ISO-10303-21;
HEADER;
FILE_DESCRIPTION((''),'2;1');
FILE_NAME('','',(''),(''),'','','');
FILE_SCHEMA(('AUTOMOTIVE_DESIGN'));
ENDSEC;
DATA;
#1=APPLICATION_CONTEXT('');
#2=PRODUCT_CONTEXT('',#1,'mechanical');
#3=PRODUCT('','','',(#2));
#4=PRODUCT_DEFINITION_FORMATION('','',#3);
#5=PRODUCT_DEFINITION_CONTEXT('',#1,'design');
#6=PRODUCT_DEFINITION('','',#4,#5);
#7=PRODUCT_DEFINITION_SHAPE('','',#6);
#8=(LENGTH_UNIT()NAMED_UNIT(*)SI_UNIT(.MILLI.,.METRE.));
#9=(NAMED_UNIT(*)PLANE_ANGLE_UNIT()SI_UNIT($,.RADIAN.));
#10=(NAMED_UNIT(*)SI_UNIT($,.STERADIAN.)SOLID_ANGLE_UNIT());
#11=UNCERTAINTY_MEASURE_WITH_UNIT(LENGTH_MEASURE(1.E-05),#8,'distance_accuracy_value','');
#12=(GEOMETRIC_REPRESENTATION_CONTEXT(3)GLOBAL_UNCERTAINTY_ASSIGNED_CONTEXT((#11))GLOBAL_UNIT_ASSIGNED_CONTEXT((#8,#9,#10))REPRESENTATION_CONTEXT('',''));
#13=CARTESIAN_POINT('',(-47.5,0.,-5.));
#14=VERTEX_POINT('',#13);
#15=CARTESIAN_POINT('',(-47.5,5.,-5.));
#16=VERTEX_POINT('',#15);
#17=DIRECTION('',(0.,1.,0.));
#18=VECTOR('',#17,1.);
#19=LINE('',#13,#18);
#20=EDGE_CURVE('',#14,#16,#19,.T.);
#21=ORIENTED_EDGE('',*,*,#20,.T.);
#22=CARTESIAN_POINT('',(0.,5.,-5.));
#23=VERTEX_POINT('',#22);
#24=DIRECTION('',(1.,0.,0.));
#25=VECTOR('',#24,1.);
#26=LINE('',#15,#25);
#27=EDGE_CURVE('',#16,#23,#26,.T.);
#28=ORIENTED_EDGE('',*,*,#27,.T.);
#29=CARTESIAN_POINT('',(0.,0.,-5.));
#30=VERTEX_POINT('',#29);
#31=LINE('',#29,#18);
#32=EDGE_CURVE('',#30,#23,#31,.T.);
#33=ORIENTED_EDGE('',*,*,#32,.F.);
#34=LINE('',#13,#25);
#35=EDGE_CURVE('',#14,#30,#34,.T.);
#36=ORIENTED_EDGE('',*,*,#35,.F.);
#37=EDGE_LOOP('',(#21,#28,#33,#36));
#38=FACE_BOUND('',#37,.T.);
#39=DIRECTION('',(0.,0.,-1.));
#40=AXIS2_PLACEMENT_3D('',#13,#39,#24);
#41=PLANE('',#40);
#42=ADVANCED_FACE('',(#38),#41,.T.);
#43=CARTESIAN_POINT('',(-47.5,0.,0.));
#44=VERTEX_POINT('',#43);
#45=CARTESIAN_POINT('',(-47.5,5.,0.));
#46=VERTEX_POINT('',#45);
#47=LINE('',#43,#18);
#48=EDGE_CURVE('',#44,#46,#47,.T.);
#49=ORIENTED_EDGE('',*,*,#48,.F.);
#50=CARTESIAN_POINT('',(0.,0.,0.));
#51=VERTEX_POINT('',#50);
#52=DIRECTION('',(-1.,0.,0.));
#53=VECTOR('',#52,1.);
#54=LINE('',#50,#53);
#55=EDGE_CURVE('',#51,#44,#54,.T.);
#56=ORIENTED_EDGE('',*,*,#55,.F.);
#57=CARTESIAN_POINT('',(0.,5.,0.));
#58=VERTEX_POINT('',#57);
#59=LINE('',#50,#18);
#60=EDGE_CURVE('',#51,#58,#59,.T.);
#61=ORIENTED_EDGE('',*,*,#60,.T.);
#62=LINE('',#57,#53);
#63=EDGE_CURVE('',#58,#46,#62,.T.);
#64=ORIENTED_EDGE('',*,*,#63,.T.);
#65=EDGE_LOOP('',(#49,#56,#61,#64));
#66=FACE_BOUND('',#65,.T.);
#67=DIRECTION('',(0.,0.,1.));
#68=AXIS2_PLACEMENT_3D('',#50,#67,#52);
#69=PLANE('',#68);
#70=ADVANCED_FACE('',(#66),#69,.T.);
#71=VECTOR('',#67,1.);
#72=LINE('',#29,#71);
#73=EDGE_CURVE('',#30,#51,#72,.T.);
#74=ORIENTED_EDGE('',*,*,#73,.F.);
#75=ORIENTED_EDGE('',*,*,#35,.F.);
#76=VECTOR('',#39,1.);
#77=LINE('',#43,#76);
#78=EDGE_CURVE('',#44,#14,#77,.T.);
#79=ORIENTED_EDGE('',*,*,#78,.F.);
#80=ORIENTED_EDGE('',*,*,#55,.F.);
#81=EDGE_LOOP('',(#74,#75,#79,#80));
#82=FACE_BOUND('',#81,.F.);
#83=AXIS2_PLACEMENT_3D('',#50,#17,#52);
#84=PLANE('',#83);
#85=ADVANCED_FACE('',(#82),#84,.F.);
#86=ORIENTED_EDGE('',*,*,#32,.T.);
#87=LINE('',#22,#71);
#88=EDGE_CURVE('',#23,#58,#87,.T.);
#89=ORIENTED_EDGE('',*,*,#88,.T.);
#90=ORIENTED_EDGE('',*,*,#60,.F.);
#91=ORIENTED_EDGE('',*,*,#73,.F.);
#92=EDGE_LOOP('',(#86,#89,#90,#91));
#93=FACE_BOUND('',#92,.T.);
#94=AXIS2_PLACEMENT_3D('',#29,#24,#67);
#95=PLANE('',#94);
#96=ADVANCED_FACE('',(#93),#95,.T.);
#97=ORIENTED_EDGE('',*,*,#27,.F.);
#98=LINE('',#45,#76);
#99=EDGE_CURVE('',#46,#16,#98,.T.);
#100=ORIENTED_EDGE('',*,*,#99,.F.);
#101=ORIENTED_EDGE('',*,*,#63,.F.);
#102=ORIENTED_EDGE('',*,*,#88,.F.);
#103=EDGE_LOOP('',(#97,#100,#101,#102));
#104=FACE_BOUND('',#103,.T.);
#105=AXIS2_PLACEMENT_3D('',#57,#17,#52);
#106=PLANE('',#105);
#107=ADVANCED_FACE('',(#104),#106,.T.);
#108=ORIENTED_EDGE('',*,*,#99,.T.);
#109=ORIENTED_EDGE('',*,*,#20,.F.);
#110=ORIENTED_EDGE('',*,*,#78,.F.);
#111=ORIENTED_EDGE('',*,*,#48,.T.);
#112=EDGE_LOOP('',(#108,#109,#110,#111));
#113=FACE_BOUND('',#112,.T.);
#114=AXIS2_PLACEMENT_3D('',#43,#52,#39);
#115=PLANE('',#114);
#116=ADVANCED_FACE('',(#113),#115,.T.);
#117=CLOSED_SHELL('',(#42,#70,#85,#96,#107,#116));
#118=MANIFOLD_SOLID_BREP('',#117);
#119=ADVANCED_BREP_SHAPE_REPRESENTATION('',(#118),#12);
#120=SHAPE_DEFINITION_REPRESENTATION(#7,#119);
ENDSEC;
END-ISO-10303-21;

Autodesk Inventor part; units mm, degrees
ref_plane "YZ Plane" through (0, 0, 0) normal (1, 0, 0) x (0, 1, 0)
ref_plane "XZ Plane" through (0, 0, 0) normal (0, 1, 0) x (-1, 0, 0)
ref_plane "XY Plane" through (0, 0, 0) normal (0, 0, 1) x (1, 0, 0)
sketch "Sketch1" plane through (0, 0, 0) normal (0, 1, 0) x (-1, 0, 0)
  line L0 (0, 0) -> (47.5, 0)
  line L1 (47.5, 0) -> (47.5, -5)
  line L2 (47.5, -5) -> (0, -5)
  line L3 (0, -5) -> (0, 0)
  dimension "d0" = 47.5
  dimension "d1" = 5
extrude "Extrusion1" add sketch "Sketch1" along normal blind 5
properties part number "long_rod"
